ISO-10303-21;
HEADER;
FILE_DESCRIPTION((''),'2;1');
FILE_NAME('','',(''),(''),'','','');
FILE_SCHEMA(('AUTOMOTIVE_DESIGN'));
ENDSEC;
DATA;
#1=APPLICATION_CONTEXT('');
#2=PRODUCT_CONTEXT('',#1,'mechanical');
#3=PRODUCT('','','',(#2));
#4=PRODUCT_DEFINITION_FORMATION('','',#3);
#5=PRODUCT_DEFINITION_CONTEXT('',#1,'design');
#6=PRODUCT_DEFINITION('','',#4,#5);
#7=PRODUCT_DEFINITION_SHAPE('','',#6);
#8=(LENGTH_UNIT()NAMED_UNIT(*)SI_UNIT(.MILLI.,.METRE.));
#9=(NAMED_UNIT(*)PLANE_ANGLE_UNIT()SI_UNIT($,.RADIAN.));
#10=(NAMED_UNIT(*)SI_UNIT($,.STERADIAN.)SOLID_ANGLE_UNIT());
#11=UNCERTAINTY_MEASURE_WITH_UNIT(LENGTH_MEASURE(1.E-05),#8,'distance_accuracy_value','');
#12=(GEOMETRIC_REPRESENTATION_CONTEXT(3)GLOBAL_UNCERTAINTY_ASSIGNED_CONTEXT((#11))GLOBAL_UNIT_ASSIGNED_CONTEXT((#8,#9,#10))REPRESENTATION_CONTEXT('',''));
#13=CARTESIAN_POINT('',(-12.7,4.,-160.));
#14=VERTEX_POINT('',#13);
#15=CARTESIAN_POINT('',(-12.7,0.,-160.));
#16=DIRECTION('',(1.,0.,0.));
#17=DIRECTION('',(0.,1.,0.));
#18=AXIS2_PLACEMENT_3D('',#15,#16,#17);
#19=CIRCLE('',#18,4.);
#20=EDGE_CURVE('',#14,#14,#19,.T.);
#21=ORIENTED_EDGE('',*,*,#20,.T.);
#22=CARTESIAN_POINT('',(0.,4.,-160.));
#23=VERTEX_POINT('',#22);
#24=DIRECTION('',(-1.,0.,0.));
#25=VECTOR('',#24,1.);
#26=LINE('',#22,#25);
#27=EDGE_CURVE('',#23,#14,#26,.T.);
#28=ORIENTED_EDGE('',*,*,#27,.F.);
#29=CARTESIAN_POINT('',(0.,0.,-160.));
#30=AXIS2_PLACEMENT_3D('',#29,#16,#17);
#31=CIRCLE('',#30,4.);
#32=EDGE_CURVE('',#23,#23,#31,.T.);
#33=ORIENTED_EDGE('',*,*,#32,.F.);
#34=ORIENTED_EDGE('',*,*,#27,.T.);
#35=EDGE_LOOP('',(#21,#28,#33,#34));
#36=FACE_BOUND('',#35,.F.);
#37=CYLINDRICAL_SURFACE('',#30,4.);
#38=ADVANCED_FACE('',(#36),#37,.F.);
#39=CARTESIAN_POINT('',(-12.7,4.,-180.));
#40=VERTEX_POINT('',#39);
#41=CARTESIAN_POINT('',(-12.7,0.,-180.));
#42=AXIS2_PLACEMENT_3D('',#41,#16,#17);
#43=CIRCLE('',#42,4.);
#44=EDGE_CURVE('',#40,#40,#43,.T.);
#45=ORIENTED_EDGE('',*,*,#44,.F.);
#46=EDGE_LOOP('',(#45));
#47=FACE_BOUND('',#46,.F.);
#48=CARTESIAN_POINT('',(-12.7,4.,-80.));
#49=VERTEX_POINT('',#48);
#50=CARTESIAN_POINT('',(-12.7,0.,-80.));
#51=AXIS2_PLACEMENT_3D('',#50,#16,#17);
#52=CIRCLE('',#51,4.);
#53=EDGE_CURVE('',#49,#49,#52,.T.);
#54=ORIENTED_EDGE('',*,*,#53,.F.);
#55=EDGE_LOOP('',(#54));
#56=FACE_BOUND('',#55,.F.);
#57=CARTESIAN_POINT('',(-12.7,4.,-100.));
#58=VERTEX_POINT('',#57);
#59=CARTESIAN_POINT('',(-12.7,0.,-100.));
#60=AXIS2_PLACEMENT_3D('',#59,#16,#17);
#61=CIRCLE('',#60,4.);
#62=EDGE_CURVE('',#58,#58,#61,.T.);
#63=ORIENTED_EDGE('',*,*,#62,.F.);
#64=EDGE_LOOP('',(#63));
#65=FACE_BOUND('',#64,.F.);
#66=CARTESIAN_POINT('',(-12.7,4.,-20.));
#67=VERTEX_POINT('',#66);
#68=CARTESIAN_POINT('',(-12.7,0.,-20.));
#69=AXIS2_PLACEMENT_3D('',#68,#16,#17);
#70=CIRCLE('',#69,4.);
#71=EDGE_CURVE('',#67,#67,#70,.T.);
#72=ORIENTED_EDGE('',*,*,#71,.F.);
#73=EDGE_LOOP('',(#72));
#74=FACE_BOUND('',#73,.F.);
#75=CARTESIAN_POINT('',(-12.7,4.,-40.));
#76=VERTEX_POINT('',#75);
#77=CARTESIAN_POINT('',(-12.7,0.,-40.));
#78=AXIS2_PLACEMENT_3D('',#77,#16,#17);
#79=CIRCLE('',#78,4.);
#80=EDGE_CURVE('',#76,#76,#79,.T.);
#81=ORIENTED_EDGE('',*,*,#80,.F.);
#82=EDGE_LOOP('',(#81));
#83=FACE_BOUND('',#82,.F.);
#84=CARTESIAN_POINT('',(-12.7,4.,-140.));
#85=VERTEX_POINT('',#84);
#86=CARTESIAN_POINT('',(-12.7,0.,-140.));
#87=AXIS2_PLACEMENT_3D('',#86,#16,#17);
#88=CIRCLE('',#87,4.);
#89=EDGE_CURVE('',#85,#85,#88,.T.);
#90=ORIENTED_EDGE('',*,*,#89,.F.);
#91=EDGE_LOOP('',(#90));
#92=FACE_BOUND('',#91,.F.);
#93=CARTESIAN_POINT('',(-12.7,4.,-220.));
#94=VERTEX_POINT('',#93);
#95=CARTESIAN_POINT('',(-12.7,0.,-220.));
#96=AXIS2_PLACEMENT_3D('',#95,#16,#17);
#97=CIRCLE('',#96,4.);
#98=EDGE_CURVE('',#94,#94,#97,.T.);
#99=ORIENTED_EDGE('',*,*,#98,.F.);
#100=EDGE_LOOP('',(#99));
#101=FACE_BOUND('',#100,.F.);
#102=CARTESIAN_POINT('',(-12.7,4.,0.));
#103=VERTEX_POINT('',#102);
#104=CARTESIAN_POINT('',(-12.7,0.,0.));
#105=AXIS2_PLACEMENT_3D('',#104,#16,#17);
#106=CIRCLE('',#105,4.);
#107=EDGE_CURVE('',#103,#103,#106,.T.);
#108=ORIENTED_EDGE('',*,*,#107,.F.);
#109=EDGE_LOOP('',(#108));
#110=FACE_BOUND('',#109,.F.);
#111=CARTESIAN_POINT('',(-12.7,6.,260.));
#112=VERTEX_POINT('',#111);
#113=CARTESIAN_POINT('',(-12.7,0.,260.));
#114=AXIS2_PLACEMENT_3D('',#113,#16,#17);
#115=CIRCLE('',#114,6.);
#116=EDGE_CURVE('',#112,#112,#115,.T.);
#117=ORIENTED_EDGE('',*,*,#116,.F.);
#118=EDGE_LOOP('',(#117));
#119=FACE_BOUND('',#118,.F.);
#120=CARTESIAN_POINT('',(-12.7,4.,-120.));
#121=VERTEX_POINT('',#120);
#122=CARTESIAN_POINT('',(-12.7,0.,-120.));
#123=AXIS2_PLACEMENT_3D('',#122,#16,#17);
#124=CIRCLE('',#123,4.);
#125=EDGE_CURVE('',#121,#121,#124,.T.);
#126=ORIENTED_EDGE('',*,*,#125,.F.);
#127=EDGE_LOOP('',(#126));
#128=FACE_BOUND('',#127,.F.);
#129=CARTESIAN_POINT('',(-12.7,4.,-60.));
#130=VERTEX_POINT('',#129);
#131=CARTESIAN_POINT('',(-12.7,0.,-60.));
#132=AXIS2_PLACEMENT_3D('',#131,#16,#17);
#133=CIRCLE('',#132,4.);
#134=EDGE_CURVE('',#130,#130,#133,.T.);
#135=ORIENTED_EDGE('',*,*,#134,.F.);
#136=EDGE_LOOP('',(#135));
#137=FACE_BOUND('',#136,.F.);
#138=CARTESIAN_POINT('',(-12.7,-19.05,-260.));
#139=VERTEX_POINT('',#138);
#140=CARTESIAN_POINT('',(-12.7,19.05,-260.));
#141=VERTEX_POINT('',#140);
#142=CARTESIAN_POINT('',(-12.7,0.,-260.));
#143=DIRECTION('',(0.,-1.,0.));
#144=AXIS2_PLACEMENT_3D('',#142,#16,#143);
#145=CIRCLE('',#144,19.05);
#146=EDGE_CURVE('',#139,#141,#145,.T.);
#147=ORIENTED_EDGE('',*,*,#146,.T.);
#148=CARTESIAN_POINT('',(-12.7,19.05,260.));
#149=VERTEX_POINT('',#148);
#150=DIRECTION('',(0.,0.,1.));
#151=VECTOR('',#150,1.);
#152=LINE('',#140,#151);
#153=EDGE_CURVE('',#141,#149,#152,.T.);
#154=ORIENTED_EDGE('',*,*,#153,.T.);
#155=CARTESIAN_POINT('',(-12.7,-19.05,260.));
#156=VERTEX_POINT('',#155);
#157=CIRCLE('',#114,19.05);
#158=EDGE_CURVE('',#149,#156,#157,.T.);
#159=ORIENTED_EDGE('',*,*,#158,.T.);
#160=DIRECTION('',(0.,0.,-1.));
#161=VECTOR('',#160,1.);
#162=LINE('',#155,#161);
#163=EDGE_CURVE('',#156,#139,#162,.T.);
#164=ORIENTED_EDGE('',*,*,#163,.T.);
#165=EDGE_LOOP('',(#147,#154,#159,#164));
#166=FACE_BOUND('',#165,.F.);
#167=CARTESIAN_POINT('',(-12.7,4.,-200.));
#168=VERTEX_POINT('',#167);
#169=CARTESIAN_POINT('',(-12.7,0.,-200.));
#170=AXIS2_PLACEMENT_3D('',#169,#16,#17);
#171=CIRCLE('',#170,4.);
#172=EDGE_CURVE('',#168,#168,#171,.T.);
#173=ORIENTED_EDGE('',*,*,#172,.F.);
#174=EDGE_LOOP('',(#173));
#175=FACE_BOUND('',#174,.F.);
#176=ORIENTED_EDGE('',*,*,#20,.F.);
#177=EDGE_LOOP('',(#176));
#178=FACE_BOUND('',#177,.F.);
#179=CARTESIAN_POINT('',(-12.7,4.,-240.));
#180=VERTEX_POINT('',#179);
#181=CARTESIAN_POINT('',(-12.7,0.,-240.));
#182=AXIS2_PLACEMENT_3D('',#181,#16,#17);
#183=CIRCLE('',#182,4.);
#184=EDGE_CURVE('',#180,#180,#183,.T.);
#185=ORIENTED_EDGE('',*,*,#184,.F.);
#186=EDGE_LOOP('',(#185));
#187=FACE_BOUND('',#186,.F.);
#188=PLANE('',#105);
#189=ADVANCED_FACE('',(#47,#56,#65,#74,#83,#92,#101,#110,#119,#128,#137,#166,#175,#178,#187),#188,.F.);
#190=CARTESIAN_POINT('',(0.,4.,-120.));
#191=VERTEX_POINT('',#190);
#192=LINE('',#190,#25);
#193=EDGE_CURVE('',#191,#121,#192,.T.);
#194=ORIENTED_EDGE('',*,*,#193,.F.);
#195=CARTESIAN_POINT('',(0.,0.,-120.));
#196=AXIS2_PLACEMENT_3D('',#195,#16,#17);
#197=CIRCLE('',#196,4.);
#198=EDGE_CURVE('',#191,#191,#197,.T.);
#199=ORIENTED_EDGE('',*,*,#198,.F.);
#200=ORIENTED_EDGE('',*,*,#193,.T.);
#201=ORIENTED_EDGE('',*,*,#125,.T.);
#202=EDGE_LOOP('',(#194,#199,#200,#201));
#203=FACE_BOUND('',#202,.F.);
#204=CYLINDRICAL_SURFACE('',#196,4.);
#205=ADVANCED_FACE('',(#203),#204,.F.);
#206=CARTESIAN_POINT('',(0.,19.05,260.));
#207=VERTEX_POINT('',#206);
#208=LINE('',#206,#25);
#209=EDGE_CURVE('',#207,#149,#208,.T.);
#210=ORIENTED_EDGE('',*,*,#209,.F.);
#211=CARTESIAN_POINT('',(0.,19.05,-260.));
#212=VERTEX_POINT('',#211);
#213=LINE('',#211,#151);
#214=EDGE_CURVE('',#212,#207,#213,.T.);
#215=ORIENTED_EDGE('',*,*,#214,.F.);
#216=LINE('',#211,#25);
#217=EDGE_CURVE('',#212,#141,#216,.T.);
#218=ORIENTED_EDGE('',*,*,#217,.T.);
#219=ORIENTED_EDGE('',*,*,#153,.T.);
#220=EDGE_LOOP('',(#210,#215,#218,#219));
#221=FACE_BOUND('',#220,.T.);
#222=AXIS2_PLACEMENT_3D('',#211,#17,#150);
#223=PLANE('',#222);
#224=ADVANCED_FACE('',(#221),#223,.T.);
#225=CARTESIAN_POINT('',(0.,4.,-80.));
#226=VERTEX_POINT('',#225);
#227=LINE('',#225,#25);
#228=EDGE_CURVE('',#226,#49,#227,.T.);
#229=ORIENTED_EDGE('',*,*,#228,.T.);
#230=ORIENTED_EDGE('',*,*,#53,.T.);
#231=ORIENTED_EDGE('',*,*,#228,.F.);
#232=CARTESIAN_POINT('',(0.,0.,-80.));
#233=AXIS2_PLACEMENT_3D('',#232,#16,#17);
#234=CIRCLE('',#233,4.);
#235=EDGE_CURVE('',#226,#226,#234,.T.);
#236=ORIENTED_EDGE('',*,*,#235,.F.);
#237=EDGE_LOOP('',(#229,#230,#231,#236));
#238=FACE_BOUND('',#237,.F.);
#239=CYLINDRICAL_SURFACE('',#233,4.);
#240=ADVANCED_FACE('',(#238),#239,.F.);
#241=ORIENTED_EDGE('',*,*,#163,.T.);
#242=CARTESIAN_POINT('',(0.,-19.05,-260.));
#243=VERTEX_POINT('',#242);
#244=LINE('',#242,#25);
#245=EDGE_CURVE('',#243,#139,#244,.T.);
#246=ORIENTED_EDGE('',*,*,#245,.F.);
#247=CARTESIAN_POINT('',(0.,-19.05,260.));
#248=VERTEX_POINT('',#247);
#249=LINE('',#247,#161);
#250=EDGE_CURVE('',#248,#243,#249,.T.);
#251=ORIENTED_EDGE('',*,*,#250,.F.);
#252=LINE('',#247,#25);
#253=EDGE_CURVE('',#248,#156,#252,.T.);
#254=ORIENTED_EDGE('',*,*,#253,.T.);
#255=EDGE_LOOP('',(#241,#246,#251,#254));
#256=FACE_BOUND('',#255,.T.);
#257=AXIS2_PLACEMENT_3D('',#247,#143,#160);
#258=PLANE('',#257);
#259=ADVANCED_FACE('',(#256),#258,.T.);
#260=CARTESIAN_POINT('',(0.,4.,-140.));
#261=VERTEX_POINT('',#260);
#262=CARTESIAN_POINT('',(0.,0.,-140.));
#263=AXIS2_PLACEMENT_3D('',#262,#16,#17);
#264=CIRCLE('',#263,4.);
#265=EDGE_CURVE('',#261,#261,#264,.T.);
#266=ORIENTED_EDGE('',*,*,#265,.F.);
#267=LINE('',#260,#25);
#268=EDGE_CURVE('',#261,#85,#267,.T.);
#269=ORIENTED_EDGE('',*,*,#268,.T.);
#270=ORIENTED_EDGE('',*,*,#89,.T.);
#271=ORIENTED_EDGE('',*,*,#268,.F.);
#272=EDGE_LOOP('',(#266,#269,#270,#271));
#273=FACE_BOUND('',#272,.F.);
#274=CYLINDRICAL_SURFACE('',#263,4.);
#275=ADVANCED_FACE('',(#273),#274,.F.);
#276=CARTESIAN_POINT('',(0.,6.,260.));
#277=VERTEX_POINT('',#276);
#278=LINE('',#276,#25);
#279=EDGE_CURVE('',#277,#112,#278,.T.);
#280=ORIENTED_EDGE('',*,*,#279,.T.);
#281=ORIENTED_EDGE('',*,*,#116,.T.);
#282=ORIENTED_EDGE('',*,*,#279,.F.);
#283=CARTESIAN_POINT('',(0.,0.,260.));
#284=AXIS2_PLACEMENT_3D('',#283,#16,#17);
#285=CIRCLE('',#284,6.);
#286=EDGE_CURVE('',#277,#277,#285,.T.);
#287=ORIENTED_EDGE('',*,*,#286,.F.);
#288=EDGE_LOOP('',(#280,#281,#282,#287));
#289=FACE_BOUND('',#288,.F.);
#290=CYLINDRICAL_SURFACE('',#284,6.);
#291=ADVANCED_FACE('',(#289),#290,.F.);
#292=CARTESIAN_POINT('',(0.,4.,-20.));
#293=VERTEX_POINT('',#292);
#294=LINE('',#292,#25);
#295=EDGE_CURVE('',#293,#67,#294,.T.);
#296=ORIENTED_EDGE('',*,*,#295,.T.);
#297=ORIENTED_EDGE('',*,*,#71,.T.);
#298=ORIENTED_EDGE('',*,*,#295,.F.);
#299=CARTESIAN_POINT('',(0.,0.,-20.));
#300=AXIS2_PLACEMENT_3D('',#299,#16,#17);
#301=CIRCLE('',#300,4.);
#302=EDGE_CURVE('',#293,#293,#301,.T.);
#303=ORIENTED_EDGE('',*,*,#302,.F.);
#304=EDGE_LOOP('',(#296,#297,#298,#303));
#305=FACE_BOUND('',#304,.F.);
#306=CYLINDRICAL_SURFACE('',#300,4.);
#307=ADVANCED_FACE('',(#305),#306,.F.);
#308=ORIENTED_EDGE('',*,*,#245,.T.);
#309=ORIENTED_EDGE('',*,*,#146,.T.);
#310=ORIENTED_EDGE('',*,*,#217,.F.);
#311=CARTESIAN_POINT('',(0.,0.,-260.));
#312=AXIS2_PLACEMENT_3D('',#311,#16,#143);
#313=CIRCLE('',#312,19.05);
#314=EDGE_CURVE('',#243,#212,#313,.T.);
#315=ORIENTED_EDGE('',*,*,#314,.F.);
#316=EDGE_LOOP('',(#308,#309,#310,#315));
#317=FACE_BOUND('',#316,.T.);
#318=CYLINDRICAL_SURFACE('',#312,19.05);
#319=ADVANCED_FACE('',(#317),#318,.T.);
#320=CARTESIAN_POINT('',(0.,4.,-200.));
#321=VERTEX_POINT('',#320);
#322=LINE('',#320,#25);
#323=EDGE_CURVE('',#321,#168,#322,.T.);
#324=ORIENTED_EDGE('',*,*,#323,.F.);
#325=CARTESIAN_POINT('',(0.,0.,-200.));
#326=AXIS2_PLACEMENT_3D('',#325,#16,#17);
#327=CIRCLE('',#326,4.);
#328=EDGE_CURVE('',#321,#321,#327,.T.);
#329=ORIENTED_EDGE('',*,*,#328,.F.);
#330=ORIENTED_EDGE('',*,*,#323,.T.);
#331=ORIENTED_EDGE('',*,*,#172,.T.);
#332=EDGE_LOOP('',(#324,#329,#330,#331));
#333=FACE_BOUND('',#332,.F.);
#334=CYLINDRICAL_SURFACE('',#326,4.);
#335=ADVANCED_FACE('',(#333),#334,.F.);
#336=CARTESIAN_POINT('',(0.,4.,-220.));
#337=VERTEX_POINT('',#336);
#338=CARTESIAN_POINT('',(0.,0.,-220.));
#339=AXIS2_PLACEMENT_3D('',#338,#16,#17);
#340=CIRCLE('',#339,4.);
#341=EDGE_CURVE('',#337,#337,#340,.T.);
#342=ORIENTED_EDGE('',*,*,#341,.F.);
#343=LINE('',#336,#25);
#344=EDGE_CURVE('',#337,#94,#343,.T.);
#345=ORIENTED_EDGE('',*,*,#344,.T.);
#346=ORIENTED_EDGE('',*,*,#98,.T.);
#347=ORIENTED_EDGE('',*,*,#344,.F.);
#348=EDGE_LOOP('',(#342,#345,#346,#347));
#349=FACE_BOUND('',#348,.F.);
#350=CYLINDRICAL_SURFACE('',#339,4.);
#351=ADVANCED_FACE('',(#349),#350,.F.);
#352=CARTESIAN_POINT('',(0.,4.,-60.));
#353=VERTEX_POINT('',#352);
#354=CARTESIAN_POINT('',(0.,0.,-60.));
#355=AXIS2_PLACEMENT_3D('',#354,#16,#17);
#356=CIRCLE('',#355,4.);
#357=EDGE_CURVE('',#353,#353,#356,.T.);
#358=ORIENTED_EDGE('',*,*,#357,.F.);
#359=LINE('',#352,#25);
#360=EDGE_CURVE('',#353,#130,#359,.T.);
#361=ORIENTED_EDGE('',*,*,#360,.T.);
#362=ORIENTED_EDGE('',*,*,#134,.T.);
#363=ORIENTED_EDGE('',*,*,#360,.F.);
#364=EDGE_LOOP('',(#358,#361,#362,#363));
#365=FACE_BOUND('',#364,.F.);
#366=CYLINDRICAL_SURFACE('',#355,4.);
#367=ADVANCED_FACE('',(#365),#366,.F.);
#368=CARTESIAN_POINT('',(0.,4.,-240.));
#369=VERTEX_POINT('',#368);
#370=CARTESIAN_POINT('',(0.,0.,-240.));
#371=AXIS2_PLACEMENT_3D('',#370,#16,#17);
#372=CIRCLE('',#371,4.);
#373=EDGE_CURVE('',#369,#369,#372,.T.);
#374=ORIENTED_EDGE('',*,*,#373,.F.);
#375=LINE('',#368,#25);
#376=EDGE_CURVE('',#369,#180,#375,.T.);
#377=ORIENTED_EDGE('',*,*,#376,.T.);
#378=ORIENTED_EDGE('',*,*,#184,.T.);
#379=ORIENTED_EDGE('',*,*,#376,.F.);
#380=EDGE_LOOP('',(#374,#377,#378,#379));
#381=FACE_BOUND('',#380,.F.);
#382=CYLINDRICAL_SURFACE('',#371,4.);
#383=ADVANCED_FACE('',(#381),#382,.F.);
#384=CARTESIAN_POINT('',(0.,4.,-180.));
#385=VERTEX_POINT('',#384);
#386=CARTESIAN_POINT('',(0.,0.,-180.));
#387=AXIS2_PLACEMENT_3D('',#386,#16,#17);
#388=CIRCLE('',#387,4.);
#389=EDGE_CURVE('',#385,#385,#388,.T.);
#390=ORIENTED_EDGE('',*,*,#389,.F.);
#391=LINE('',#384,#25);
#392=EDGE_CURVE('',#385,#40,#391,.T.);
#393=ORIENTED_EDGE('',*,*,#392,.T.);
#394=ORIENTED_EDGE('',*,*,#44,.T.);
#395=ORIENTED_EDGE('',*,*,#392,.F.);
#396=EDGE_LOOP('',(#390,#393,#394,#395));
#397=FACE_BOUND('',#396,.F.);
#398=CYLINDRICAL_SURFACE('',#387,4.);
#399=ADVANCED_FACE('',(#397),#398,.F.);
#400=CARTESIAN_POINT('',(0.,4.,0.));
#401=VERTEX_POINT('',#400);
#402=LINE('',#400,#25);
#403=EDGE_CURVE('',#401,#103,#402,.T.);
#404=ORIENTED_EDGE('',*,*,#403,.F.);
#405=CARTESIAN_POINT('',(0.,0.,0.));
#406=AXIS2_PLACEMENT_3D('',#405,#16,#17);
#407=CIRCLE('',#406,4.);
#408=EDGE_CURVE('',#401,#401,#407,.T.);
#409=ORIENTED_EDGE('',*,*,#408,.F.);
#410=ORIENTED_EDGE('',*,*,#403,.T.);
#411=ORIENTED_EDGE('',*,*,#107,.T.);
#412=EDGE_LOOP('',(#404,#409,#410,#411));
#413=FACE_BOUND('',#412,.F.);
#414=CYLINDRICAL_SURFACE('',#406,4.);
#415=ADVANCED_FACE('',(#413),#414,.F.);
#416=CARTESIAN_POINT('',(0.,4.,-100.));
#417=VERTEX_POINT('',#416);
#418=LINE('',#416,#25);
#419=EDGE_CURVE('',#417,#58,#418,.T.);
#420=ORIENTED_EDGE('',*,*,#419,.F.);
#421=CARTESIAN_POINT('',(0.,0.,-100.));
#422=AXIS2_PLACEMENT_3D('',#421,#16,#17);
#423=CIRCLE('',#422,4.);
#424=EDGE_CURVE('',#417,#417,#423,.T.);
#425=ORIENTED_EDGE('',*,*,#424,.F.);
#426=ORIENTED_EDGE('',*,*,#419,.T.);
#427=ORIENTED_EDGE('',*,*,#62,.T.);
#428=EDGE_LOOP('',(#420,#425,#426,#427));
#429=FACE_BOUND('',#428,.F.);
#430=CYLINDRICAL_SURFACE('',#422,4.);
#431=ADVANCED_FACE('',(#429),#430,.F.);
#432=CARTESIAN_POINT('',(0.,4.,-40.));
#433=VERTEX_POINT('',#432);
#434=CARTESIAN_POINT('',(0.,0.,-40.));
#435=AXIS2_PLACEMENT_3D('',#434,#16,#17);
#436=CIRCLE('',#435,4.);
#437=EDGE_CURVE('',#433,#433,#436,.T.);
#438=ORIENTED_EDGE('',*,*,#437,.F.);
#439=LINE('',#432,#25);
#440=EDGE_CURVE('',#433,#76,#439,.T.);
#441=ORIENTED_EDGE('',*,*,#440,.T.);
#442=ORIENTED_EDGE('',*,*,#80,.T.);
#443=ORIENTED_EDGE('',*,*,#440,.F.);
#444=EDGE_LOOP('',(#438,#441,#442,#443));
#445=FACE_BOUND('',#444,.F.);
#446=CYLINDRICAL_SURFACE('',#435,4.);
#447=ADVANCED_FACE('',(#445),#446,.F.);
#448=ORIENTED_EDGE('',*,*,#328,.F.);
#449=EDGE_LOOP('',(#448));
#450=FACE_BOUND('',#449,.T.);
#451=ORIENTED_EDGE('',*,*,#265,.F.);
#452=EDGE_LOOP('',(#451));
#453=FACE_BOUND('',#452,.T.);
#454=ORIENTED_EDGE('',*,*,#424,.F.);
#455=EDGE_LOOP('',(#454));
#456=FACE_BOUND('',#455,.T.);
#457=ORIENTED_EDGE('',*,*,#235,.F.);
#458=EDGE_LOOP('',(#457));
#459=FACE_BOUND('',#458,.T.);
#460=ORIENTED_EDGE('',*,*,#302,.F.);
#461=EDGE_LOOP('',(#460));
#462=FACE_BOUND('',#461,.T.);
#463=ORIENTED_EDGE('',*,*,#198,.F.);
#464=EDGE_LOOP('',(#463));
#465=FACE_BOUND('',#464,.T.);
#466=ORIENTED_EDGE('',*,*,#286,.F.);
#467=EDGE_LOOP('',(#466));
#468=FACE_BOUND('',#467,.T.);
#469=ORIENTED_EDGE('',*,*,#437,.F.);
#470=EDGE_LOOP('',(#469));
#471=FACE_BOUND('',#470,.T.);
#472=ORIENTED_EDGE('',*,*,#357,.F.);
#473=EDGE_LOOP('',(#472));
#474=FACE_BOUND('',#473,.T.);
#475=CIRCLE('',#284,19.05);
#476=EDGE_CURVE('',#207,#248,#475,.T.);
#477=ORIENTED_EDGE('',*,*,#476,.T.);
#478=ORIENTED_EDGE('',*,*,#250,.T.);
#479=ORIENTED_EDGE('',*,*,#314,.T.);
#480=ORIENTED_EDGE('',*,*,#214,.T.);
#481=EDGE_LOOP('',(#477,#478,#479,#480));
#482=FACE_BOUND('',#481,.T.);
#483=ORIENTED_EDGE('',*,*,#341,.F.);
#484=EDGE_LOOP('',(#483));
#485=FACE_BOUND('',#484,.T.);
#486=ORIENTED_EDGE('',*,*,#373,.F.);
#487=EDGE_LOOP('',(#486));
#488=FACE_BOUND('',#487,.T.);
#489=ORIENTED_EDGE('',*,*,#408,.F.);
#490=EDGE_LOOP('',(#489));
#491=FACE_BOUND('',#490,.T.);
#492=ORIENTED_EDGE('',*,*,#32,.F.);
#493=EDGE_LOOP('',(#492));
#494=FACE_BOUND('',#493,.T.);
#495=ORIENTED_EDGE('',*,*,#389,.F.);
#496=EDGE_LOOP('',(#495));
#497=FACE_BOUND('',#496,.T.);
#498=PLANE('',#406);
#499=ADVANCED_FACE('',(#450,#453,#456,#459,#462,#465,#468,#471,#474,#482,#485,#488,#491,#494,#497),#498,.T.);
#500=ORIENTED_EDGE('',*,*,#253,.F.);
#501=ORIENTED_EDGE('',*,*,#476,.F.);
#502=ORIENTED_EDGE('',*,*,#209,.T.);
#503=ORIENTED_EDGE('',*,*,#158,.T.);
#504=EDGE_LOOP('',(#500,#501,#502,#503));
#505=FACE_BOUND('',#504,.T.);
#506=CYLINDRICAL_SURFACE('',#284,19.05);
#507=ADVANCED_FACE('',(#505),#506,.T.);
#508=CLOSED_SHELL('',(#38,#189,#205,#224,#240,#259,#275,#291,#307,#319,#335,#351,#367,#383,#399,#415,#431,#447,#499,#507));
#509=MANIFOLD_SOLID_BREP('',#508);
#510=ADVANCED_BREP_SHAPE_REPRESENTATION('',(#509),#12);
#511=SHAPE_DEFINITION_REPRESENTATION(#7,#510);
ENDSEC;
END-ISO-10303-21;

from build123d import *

# Parameters (mm, degrees)
F0_R     = 4
F0_R_2   = 6
F1_DEPTH = 12.7


with BuildPart() as f1:
    # F0 (on Right) → F1 (new body)
    with BuildSketch(Plane.YZ):
        with BuildLine():
            ThreePointArc((19.05, 260), (0, 279.05), (-19.05, 260))
            Line((-19.05, 260), (-19.05, -260))
            ThreePointArc((-19.05, -260), (0, -279.05), (19.05, -260))
            Line((19.05, -260), (19.05, 260))
        make_face()
        with Locations((0, -240)):
            Circle(F0_R, mode=Mode.SUBTRACT)
        with Locations((0, -220)):
            Circle(F0_R, mode=Mode.SUBTRACT)
        with Locations((0, -200)):
            Circle(F0_R, mode=Mode.SUBTRACT)
        with Locations((0, -180)):
            Circle(F0_R, mode=Mode.SUBTRACT)
        with Locations((0, -160)):
            Circle(F0_R, mode=Mode.SUBTRACT)
        with Locations((0, -140)):
            Circle(F0_R, mode=Mode.SUBTRACT)
        with Locations((0, -120)):
            Circle(F0_R, mode=Mode.SUBTRACT)
        with Locations((0, -100)):
            Circle(F0_R, mode=Mode.SUBTRACT)
        with Locations((0, -80)):
            Circle(F0_R, mode=Mode.SUBTRACT)
        with Locations((0, -60)):
            Circle(F0_R, mode=Mode.SUBTRACT)
        with Locations((0, -40)):
            Circle(F0_R, mode=Mode.SUBTRACT)
        with Locations((0, -20)):
            Circle(F0_R, mode=Mode.SUBTRACT)
        Circle(F0_R, mode=Mode.SUBTRACT)
        with Locations((0, 260)):
            Circle(F0_R_2, mode=Mode.SUBTRACT)
    extrude(amount=-F1_DEPTH)


solid = f1.part
